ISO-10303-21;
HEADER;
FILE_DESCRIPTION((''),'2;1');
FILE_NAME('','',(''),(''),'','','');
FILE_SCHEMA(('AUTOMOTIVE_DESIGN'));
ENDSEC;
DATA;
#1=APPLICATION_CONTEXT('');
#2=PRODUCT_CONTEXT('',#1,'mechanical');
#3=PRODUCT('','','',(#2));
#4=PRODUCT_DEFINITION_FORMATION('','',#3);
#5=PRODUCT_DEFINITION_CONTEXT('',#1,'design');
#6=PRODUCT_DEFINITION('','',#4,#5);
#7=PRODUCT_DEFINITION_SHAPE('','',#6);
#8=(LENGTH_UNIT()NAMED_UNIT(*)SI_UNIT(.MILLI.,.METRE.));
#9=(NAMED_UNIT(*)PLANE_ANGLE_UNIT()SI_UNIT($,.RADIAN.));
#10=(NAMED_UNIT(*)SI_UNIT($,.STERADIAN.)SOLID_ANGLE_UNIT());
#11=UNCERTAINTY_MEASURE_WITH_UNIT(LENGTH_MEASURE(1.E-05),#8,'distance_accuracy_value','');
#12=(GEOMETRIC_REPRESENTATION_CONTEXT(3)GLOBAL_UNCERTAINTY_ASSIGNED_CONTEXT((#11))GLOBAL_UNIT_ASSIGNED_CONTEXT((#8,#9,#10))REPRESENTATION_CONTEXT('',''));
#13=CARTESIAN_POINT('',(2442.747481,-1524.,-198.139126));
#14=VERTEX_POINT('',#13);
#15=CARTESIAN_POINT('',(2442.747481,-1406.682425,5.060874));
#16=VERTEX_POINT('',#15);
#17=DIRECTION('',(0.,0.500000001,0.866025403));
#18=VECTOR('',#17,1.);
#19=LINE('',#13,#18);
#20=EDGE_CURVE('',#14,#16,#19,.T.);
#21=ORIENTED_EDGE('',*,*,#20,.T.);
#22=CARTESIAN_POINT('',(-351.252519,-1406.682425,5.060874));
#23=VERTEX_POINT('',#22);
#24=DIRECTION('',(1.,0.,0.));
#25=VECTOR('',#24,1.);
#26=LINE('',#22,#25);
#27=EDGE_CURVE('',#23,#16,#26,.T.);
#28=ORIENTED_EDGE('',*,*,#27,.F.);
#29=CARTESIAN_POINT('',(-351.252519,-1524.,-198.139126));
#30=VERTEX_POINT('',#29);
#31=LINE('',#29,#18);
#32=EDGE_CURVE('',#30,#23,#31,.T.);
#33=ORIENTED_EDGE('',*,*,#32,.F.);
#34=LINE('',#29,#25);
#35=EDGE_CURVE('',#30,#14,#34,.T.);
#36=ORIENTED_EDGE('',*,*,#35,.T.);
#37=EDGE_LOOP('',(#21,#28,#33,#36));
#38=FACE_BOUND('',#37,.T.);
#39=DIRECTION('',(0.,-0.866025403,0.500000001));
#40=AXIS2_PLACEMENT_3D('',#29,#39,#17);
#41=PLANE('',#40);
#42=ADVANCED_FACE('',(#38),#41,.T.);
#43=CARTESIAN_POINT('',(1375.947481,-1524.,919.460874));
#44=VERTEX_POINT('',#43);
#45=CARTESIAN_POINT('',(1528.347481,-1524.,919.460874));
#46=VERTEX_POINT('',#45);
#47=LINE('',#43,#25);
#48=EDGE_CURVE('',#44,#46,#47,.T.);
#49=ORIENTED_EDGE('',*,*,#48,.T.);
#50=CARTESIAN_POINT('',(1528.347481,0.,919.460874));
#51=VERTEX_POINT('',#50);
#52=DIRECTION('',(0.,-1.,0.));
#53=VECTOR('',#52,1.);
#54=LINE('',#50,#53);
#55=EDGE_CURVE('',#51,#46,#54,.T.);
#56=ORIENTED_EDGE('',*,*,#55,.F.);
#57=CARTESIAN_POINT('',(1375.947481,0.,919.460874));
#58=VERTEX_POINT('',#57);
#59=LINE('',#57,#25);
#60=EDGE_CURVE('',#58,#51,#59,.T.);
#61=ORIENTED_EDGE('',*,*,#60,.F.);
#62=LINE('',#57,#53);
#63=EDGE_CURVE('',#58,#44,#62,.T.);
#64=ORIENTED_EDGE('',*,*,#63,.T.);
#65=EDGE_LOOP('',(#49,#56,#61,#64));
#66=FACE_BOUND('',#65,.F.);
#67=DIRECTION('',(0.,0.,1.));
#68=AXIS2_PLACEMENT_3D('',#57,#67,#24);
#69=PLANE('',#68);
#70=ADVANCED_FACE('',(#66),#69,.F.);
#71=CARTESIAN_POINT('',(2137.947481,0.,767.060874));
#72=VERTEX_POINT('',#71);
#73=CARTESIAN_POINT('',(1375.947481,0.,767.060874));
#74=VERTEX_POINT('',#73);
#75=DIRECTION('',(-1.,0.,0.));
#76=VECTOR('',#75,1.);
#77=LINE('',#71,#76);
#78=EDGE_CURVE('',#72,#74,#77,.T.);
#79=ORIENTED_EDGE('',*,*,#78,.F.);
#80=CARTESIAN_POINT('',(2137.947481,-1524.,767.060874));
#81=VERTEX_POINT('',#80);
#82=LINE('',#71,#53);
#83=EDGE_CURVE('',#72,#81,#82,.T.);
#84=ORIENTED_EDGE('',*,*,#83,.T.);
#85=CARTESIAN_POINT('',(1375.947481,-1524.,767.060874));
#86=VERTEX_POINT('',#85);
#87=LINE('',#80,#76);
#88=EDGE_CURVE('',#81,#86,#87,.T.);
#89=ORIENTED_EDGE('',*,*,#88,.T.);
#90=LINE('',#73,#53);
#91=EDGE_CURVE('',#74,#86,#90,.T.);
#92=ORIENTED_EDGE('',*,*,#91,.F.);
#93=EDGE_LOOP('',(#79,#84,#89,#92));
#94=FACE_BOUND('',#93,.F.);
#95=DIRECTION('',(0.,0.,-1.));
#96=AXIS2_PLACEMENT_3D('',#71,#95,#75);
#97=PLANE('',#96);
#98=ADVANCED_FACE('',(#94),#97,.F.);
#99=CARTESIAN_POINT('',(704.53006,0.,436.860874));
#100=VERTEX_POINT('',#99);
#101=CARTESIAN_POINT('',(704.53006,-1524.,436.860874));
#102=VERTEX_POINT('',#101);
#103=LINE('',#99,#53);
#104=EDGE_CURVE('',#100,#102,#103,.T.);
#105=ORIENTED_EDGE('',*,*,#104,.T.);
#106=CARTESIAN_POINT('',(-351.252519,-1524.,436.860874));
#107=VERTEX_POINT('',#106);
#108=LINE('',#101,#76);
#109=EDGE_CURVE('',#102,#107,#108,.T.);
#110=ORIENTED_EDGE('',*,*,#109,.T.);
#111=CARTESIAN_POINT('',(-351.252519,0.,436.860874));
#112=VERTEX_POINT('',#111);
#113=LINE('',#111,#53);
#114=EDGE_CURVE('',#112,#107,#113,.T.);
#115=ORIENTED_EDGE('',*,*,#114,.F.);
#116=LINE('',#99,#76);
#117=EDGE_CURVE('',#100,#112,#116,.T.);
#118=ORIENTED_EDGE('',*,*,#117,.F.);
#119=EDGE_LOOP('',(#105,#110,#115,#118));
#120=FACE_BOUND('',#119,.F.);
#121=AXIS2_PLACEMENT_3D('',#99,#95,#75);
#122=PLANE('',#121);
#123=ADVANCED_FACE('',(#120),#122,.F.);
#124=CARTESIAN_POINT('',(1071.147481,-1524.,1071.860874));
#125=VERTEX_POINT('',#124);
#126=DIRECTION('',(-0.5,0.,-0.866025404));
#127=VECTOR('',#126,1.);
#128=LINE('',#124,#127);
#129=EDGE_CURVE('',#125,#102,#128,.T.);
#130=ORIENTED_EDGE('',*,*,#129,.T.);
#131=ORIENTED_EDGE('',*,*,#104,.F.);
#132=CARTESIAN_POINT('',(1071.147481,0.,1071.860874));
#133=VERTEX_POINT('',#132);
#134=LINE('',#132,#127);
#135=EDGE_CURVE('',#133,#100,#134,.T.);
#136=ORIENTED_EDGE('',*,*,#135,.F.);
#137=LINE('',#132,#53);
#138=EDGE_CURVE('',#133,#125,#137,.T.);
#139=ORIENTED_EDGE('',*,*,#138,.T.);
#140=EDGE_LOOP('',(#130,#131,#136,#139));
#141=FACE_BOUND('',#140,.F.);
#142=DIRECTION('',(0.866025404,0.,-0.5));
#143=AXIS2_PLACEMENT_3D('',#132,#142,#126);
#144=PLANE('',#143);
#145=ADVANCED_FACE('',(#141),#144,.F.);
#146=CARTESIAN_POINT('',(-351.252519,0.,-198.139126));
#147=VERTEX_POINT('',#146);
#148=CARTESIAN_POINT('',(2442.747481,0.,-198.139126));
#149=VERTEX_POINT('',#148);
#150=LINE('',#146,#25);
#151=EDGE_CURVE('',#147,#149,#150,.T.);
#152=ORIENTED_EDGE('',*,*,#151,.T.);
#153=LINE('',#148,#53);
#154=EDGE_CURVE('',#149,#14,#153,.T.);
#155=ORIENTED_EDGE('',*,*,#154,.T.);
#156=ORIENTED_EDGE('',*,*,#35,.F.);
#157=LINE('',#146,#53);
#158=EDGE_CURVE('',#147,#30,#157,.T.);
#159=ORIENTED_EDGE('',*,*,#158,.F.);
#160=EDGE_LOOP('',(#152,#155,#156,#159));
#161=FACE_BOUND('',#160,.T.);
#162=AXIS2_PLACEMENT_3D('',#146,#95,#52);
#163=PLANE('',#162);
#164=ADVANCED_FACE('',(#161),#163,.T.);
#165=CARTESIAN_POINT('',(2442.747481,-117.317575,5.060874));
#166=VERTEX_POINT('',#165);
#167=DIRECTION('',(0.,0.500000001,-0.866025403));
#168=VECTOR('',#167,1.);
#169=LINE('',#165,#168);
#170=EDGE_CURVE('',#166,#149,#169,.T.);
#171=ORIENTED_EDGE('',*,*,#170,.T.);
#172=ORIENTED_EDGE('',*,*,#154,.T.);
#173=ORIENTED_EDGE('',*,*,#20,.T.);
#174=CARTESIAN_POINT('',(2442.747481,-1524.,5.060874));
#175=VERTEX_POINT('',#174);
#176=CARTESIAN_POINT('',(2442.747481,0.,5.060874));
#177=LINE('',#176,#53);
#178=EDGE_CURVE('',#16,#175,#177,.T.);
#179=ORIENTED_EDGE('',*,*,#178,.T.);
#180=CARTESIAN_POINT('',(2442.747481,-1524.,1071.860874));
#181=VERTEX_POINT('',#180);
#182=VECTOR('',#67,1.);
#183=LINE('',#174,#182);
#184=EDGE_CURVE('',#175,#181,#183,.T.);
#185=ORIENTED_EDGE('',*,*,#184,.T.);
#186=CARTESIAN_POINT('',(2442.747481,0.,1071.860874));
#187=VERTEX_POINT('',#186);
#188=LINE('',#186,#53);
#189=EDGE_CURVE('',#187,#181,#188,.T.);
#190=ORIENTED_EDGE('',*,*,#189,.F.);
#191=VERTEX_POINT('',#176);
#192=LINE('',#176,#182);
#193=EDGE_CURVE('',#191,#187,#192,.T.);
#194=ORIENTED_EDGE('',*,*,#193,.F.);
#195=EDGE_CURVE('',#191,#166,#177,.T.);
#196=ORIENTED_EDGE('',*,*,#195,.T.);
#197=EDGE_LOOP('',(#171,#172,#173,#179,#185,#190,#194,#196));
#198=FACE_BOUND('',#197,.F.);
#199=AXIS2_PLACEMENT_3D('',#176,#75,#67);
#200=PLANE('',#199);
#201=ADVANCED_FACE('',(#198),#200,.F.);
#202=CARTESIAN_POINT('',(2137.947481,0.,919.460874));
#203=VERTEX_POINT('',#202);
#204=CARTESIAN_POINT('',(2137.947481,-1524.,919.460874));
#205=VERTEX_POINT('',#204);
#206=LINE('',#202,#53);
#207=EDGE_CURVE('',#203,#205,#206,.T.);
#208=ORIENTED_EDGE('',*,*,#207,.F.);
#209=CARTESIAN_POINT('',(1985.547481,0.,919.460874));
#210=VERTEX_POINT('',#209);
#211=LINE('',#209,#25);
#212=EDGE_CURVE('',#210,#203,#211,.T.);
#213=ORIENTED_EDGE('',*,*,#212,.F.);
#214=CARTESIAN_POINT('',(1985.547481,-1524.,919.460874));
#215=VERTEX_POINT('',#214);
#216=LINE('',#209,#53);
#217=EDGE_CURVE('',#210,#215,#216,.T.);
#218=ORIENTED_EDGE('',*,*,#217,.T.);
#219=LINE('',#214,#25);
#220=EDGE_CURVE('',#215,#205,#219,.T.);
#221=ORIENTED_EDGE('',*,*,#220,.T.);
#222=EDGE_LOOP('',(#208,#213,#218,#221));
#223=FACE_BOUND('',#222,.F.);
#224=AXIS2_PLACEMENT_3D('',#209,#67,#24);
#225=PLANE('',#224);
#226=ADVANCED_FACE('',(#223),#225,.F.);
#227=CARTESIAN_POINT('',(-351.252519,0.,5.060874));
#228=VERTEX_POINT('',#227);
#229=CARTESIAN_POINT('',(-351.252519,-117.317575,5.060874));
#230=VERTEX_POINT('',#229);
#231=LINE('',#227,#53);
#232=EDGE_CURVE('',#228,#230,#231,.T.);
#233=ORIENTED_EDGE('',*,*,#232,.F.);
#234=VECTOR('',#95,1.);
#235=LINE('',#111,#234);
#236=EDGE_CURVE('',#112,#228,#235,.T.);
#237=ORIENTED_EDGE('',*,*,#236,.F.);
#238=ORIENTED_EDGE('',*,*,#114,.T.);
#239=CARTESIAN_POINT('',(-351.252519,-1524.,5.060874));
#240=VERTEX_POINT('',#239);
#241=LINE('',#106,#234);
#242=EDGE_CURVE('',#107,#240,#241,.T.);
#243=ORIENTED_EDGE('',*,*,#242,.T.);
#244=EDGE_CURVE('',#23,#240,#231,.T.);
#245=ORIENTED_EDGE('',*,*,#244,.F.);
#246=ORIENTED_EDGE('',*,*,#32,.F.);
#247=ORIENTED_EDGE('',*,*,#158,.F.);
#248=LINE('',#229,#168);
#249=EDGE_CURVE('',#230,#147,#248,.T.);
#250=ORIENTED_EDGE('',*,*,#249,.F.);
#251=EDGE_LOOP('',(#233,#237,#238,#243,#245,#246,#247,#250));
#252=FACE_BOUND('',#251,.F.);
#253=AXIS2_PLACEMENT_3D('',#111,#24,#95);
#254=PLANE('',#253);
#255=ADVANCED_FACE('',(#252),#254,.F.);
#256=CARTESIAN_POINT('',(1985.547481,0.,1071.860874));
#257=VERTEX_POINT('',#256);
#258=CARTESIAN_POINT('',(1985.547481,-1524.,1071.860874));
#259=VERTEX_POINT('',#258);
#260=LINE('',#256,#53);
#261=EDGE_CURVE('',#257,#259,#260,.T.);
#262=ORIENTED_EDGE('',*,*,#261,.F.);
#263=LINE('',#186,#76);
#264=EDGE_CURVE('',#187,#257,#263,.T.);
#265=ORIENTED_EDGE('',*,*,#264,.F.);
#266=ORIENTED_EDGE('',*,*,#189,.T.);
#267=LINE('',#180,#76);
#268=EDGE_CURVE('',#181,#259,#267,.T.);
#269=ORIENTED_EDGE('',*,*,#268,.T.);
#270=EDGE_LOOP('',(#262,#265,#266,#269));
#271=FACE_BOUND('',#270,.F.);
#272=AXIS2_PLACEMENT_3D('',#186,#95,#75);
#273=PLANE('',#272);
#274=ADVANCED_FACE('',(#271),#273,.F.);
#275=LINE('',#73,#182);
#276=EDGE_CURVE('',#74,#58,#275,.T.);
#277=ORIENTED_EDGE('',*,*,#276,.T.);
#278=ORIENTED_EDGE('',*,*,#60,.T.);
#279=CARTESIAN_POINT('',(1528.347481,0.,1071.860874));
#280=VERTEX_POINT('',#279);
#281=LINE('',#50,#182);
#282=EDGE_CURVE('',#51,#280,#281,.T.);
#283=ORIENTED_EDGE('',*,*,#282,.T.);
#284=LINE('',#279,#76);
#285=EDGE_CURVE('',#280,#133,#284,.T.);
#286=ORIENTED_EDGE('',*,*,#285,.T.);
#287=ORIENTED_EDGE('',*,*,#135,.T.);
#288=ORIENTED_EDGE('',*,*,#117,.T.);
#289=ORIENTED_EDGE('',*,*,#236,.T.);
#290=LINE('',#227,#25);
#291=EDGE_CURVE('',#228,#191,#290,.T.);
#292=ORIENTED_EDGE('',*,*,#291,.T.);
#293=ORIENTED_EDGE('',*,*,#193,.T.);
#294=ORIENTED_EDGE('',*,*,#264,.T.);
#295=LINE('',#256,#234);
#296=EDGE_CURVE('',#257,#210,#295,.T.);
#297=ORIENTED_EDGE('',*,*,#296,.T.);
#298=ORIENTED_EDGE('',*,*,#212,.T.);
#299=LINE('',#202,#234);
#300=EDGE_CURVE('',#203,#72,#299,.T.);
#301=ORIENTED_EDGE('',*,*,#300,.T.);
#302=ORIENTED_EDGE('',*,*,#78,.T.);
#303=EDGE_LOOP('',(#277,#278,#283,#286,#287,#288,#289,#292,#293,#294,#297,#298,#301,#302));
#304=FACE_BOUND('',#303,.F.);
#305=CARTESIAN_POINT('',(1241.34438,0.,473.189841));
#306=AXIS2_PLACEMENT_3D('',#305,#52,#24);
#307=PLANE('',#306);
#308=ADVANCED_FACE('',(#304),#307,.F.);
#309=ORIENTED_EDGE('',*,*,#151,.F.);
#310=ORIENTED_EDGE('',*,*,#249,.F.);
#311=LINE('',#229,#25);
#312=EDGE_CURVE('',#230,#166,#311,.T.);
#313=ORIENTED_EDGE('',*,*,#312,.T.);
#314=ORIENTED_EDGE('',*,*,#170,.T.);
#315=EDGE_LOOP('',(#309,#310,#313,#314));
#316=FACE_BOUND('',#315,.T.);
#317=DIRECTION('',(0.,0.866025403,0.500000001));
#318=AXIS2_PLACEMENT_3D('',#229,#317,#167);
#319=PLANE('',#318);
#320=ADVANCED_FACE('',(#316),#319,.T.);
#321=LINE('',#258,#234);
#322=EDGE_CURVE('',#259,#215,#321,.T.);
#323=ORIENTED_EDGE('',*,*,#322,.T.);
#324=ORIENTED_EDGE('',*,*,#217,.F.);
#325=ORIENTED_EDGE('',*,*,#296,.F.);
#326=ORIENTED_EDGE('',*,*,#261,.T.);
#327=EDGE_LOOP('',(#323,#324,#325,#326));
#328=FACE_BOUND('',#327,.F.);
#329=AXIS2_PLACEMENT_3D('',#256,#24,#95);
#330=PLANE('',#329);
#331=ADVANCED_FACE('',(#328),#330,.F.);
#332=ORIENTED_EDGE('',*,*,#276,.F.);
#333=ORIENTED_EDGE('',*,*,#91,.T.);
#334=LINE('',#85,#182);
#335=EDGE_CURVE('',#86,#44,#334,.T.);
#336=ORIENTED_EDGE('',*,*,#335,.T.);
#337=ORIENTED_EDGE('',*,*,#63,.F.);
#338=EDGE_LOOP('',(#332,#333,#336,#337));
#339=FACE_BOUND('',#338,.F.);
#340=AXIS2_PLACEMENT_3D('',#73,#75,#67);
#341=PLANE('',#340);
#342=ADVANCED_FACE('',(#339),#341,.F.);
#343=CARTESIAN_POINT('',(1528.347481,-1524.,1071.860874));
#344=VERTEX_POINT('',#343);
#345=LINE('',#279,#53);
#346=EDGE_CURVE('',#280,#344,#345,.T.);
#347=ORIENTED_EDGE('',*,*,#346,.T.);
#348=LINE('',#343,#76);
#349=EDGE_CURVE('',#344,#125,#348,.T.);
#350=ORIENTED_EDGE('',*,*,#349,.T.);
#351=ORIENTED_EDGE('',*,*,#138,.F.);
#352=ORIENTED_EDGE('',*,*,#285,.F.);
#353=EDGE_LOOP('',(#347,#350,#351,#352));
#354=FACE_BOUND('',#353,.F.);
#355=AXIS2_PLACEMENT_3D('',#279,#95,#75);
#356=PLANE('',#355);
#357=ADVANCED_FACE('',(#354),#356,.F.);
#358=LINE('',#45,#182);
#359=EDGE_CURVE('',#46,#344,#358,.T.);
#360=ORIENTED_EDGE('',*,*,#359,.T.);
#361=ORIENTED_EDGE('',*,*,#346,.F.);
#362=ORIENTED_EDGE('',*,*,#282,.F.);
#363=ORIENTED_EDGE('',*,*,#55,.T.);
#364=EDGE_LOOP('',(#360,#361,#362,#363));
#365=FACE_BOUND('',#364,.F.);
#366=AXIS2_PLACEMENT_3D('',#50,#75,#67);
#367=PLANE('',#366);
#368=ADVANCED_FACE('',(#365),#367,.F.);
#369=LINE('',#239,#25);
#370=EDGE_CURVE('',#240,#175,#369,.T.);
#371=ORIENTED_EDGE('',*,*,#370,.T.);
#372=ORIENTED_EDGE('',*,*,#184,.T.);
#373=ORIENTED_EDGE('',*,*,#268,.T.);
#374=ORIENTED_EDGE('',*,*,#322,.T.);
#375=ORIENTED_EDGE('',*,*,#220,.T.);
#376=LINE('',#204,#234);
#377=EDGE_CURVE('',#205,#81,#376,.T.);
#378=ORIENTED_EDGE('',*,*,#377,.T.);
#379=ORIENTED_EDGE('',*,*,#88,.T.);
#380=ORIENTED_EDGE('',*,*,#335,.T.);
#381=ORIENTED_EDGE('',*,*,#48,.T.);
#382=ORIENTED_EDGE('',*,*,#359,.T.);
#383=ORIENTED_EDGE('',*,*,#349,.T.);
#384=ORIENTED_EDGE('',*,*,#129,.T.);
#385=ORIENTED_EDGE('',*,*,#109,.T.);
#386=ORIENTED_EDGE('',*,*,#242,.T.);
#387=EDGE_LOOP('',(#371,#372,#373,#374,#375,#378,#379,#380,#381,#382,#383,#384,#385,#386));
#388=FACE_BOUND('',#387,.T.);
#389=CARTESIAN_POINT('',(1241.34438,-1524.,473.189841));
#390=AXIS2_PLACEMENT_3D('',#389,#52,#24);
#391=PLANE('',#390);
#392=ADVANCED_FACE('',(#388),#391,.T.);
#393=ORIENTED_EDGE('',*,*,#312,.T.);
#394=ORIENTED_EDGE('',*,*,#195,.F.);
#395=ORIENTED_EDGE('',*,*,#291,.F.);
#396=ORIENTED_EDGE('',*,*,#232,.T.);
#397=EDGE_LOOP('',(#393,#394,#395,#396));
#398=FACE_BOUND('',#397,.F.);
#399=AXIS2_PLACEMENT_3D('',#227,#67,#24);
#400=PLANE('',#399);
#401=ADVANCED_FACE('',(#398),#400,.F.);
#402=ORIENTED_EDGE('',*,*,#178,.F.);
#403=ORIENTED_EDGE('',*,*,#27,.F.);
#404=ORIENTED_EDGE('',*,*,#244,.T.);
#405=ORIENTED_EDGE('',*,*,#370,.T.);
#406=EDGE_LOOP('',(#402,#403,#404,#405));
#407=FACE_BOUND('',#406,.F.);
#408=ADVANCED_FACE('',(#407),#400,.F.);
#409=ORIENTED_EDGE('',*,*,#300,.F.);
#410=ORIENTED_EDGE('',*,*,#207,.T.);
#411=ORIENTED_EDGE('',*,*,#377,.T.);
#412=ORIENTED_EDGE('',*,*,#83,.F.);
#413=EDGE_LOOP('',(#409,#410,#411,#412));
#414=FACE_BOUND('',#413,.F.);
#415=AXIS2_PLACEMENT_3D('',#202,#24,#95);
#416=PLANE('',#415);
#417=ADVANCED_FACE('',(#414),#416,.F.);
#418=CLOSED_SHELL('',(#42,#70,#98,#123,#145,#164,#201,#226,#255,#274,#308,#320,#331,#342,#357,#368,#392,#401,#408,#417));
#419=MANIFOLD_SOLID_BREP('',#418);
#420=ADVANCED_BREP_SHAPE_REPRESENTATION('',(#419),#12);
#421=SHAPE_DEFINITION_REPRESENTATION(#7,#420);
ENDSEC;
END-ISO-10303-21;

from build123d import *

# Parameters (mm, degrees)
F1_DEPTH = 1524
F3_DEPTH = 2794


with BuildPart() as f1:
    # F0 (on Front) → F1 (new body)
    with BuildSketch(Plane.XZ):
        Polygon((-351.252519, 436.860874), (-351.252519, 5.060874), (2442.747481, 5.060874), (2442.747481, 1071.860874), (1985.547481, 1071.860874), (1985.547481, 919.460874), (2137.947481, 919.460874), (2137.947481, 767.060874), (1375.947481, 767.060874), (1375.947481, 919.460874), (1528.347481, 919.460874), (1528.347481, 1071.860874), (1071.147481, 1071.860874), (704.53006, 436.860874), align=None)
    extrude(amount=F1_DEPTH)

    # F2 (on face) → F3 (join)
    with BuildSketch(Plane(origin=(-351.252519, 0, 0), x_dir=(0, -1, 0), z_dir=(-1, 0, 0))):
        Polygon((1406.682425, 5.060874), (117.317575, 5.060874), (0, -198.139126), (1524, -198.139126), align=None)
    extrude(amount=-F3_DEPTH)


solid = f1.part
